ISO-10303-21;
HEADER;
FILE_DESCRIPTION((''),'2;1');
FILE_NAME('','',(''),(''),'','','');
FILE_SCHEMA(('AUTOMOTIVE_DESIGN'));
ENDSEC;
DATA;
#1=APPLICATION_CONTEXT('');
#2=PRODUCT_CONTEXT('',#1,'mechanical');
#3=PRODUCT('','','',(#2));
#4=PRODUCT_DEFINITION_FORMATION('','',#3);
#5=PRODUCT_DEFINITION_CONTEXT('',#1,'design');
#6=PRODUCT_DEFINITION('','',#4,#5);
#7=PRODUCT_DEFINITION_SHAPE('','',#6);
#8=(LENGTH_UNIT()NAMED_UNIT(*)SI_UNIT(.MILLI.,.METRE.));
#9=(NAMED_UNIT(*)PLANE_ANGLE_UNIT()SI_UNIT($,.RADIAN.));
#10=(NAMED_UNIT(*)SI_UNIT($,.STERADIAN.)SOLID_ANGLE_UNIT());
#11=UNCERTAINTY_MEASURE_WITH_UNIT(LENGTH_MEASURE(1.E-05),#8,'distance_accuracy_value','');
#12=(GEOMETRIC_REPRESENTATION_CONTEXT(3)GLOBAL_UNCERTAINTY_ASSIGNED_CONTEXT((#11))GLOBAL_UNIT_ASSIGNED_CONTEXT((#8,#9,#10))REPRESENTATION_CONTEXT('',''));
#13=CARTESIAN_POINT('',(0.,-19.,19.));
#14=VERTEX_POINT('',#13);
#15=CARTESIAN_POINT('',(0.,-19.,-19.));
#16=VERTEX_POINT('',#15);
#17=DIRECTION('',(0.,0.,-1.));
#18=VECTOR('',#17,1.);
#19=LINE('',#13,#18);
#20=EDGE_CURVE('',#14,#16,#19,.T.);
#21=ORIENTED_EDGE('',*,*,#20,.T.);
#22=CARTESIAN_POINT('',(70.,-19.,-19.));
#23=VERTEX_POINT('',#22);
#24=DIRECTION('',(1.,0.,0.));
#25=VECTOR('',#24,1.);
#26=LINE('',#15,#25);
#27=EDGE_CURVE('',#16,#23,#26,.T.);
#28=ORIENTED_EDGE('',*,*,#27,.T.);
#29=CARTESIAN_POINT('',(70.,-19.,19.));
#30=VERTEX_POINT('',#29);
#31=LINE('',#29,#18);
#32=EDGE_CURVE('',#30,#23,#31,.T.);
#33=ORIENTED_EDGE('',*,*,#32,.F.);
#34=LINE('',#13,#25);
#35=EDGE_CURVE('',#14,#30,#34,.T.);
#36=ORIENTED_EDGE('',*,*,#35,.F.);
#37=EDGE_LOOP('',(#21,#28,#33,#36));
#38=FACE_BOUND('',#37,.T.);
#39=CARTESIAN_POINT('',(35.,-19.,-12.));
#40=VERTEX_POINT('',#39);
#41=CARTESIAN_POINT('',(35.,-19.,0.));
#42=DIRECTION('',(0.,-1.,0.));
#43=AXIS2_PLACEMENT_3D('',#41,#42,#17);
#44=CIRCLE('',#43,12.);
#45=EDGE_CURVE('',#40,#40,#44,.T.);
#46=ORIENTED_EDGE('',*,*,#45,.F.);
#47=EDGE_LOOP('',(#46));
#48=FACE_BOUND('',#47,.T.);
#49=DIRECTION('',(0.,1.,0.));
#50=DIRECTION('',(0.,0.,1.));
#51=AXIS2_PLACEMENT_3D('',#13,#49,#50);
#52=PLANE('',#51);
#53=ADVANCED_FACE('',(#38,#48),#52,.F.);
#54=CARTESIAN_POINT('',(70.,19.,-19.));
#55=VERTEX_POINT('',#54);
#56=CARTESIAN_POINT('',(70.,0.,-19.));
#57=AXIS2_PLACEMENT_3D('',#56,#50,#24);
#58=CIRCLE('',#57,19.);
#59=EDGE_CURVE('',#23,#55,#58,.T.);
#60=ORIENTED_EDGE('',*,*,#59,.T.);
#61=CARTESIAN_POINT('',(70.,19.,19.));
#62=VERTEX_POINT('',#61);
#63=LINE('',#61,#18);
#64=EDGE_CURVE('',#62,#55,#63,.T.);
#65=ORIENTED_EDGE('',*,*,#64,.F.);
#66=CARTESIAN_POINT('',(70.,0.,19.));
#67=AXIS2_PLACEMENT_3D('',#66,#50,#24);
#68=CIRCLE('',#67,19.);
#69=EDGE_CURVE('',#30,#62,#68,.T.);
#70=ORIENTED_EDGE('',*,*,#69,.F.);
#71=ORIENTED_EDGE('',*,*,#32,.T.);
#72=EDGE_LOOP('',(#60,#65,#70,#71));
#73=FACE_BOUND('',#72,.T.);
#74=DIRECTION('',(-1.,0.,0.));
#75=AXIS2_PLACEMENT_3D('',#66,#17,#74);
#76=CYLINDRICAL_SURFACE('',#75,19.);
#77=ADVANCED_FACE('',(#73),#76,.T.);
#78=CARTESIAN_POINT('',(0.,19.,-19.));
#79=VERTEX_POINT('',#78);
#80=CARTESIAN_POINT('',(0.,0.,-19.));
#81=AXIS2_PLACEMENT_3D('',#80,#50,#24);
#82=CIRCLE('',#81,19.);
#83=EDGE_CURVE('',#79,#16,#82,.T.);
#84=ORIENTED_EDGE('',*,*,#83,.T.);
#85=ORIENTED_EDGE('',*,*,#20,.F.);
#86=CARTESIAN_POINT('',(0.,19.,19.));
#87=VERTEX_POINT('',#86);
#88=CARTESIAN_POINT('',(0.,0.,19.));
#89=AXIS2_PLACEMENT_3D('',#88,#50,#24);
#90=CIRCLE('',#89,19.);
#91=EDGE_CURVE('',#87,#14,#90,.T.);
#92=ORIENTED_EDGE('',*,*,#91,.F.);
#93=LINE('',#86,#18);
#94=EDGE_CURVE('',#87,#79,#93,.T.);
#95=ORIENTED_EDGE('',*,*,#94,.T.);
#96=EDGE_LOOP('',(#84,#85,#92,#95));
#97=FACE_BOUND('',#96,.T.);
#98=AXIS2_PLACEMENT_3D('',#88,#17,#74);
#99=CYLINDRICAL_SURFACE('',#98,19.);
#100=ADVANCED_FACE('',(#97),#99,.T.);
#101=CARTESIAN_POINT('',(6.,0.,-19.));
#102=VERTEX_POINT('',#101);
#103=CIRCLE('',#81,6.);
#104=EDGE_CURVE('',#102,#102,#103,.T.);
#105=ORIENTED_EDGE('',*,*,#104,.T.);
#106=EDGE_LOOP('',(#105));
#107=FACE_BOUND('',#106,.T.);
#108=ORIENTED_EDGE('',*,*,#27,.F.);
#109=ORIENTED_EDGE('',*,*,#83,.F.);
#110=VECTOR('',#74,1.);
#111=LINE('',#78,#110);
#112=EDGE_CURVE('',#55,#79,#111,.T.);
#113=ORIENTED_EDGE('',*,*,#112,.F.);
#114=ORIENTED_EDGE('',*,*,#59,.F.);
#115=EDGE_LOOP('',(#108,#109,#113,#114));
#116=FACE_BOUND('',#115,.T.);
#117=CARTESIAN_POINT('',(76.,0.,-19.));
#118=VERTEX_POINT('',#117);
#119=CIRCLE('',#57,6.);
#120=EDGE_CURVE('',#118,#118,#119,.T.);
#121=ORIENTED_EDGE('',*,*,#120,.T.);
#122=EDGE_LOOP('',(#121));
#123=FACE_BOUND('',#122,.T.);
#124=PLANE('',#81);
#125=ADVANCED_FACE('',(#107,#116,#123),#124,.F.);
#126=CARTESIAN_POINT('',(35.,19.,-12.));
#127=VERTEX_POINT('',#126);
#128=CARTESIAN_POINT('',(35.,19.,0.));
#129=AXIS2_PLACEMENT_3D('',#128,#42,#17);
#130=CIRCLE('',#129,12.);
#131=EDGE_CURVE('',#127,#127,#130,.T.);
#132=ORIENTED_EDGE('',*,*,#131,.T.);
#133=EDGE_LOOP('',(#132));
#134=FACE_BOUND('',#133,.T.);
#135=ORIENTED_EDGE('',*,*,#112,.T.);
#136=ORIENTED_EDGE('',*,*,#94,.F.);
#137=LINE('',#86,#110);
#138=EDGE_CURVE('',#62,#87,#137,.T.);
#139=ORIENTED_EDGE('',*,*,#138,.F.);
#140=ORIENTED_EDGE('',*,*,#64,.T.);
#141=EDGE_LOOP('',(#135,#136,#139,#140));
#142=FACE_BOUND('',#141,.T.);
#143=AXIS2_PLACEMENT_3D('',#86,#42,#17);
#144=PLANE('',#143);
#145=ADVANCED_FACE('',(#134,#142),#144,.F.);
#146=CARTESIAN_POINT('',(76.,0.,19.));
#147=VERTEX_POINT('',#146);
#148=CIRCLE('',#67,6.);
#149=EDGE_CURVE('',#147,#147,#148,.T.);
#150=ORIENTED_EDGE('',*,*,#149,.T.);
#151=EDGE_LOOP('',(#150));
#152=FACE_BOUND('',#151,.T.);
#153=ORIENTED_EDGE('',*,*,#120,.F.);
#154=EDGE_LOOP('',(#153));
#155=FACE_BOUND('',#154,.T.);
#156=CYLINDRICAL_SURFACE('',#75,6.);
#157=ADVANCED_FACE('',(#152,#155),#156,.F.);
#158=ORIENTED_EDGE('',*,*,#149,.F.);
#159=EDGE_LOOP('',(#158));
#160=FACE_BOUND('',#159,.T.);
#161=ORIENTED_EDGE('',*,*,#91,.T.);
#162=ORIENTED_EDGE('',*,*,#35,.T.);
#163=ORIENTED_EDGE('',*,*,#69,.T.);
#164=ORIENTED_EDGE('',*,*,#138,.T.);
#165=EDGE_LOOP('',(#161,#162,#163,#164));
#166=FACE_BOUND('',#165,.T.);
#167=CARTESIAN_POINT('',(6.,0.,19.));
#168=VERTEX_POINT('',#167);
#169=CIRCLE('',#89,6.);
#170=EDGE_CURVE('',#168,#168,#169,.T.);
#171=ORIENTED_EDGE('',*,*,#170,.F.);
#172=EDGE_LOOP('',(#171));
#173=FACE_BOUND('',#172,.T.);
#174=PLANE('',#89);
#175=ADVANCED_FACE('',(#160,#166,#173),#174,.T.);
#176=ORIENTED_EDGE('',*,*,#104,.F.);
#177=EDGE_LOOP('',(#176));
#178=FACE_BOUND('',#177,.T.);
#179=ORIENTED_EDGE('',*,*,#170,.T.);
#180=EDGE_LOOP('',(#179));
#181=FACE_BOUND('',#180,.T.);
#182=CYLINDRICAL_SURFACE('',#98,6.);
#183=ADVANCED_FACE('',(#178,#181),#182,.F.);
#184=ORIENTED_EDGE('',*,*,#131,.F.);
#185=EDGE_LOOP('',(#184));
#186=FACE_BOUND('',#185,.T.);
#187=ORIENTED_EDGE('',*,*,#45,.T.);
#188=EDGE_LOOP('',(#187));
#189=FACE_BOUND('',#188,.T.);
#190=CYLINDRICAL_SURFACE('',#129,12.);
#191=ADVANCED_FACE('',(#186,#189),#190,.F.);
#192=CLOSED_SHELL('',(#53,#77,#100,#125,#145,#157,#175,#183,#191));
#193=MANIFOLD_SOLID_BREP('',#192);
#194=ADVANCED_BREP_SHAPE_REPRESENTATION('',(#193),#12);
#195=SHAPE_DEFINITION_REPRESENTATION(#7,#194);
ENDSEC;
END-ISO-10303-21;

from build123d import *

# Parameters (mm, degrees)
SKETCH1_R           = 6
BOSS_EXTRUDE1_DEPTH = 19
SKETCH2_R           = 12
CUT_EXTRUDE1_DEPTH  = 99.620484688


with BuildPart() as part:
    # Sketch1 → Boss-Extrude1 (new, symmetric)
    with BuildSketch(Plane.XY):
        with BuildLine():
            Line((0, 19), (70, 19))
            ThreePointArc((70, 19), (89, 0), (70, -19))
            Line((70, -19), (0, -19))
            ThreePointArc((0, -19), (-19, 0), (0, 19))
        make_face()
        Circle(SKETCH1_R, mode=Mode.SUBTRACT)
        with Locations((70, 0)):
            Circle(SKETCH1_R, mode=Mode.SUBTRACT)
    extrude(amount=BOSS_EXTRUDE1_DEPTH, both=True)

    # Sketch2 → Cut-Extrude1 (cut, through all)
    with BuildSketch(Plane.XZ.offset(19)):
        with Locations(Location((35, 0, 0), (0, 0, 270))):
            Circle(SKETCH2_R)
    extrude(amount=-CUT_EXTRUDE1_DEPTH, mode=Mode.SUBTRACT)


solid = part.part
